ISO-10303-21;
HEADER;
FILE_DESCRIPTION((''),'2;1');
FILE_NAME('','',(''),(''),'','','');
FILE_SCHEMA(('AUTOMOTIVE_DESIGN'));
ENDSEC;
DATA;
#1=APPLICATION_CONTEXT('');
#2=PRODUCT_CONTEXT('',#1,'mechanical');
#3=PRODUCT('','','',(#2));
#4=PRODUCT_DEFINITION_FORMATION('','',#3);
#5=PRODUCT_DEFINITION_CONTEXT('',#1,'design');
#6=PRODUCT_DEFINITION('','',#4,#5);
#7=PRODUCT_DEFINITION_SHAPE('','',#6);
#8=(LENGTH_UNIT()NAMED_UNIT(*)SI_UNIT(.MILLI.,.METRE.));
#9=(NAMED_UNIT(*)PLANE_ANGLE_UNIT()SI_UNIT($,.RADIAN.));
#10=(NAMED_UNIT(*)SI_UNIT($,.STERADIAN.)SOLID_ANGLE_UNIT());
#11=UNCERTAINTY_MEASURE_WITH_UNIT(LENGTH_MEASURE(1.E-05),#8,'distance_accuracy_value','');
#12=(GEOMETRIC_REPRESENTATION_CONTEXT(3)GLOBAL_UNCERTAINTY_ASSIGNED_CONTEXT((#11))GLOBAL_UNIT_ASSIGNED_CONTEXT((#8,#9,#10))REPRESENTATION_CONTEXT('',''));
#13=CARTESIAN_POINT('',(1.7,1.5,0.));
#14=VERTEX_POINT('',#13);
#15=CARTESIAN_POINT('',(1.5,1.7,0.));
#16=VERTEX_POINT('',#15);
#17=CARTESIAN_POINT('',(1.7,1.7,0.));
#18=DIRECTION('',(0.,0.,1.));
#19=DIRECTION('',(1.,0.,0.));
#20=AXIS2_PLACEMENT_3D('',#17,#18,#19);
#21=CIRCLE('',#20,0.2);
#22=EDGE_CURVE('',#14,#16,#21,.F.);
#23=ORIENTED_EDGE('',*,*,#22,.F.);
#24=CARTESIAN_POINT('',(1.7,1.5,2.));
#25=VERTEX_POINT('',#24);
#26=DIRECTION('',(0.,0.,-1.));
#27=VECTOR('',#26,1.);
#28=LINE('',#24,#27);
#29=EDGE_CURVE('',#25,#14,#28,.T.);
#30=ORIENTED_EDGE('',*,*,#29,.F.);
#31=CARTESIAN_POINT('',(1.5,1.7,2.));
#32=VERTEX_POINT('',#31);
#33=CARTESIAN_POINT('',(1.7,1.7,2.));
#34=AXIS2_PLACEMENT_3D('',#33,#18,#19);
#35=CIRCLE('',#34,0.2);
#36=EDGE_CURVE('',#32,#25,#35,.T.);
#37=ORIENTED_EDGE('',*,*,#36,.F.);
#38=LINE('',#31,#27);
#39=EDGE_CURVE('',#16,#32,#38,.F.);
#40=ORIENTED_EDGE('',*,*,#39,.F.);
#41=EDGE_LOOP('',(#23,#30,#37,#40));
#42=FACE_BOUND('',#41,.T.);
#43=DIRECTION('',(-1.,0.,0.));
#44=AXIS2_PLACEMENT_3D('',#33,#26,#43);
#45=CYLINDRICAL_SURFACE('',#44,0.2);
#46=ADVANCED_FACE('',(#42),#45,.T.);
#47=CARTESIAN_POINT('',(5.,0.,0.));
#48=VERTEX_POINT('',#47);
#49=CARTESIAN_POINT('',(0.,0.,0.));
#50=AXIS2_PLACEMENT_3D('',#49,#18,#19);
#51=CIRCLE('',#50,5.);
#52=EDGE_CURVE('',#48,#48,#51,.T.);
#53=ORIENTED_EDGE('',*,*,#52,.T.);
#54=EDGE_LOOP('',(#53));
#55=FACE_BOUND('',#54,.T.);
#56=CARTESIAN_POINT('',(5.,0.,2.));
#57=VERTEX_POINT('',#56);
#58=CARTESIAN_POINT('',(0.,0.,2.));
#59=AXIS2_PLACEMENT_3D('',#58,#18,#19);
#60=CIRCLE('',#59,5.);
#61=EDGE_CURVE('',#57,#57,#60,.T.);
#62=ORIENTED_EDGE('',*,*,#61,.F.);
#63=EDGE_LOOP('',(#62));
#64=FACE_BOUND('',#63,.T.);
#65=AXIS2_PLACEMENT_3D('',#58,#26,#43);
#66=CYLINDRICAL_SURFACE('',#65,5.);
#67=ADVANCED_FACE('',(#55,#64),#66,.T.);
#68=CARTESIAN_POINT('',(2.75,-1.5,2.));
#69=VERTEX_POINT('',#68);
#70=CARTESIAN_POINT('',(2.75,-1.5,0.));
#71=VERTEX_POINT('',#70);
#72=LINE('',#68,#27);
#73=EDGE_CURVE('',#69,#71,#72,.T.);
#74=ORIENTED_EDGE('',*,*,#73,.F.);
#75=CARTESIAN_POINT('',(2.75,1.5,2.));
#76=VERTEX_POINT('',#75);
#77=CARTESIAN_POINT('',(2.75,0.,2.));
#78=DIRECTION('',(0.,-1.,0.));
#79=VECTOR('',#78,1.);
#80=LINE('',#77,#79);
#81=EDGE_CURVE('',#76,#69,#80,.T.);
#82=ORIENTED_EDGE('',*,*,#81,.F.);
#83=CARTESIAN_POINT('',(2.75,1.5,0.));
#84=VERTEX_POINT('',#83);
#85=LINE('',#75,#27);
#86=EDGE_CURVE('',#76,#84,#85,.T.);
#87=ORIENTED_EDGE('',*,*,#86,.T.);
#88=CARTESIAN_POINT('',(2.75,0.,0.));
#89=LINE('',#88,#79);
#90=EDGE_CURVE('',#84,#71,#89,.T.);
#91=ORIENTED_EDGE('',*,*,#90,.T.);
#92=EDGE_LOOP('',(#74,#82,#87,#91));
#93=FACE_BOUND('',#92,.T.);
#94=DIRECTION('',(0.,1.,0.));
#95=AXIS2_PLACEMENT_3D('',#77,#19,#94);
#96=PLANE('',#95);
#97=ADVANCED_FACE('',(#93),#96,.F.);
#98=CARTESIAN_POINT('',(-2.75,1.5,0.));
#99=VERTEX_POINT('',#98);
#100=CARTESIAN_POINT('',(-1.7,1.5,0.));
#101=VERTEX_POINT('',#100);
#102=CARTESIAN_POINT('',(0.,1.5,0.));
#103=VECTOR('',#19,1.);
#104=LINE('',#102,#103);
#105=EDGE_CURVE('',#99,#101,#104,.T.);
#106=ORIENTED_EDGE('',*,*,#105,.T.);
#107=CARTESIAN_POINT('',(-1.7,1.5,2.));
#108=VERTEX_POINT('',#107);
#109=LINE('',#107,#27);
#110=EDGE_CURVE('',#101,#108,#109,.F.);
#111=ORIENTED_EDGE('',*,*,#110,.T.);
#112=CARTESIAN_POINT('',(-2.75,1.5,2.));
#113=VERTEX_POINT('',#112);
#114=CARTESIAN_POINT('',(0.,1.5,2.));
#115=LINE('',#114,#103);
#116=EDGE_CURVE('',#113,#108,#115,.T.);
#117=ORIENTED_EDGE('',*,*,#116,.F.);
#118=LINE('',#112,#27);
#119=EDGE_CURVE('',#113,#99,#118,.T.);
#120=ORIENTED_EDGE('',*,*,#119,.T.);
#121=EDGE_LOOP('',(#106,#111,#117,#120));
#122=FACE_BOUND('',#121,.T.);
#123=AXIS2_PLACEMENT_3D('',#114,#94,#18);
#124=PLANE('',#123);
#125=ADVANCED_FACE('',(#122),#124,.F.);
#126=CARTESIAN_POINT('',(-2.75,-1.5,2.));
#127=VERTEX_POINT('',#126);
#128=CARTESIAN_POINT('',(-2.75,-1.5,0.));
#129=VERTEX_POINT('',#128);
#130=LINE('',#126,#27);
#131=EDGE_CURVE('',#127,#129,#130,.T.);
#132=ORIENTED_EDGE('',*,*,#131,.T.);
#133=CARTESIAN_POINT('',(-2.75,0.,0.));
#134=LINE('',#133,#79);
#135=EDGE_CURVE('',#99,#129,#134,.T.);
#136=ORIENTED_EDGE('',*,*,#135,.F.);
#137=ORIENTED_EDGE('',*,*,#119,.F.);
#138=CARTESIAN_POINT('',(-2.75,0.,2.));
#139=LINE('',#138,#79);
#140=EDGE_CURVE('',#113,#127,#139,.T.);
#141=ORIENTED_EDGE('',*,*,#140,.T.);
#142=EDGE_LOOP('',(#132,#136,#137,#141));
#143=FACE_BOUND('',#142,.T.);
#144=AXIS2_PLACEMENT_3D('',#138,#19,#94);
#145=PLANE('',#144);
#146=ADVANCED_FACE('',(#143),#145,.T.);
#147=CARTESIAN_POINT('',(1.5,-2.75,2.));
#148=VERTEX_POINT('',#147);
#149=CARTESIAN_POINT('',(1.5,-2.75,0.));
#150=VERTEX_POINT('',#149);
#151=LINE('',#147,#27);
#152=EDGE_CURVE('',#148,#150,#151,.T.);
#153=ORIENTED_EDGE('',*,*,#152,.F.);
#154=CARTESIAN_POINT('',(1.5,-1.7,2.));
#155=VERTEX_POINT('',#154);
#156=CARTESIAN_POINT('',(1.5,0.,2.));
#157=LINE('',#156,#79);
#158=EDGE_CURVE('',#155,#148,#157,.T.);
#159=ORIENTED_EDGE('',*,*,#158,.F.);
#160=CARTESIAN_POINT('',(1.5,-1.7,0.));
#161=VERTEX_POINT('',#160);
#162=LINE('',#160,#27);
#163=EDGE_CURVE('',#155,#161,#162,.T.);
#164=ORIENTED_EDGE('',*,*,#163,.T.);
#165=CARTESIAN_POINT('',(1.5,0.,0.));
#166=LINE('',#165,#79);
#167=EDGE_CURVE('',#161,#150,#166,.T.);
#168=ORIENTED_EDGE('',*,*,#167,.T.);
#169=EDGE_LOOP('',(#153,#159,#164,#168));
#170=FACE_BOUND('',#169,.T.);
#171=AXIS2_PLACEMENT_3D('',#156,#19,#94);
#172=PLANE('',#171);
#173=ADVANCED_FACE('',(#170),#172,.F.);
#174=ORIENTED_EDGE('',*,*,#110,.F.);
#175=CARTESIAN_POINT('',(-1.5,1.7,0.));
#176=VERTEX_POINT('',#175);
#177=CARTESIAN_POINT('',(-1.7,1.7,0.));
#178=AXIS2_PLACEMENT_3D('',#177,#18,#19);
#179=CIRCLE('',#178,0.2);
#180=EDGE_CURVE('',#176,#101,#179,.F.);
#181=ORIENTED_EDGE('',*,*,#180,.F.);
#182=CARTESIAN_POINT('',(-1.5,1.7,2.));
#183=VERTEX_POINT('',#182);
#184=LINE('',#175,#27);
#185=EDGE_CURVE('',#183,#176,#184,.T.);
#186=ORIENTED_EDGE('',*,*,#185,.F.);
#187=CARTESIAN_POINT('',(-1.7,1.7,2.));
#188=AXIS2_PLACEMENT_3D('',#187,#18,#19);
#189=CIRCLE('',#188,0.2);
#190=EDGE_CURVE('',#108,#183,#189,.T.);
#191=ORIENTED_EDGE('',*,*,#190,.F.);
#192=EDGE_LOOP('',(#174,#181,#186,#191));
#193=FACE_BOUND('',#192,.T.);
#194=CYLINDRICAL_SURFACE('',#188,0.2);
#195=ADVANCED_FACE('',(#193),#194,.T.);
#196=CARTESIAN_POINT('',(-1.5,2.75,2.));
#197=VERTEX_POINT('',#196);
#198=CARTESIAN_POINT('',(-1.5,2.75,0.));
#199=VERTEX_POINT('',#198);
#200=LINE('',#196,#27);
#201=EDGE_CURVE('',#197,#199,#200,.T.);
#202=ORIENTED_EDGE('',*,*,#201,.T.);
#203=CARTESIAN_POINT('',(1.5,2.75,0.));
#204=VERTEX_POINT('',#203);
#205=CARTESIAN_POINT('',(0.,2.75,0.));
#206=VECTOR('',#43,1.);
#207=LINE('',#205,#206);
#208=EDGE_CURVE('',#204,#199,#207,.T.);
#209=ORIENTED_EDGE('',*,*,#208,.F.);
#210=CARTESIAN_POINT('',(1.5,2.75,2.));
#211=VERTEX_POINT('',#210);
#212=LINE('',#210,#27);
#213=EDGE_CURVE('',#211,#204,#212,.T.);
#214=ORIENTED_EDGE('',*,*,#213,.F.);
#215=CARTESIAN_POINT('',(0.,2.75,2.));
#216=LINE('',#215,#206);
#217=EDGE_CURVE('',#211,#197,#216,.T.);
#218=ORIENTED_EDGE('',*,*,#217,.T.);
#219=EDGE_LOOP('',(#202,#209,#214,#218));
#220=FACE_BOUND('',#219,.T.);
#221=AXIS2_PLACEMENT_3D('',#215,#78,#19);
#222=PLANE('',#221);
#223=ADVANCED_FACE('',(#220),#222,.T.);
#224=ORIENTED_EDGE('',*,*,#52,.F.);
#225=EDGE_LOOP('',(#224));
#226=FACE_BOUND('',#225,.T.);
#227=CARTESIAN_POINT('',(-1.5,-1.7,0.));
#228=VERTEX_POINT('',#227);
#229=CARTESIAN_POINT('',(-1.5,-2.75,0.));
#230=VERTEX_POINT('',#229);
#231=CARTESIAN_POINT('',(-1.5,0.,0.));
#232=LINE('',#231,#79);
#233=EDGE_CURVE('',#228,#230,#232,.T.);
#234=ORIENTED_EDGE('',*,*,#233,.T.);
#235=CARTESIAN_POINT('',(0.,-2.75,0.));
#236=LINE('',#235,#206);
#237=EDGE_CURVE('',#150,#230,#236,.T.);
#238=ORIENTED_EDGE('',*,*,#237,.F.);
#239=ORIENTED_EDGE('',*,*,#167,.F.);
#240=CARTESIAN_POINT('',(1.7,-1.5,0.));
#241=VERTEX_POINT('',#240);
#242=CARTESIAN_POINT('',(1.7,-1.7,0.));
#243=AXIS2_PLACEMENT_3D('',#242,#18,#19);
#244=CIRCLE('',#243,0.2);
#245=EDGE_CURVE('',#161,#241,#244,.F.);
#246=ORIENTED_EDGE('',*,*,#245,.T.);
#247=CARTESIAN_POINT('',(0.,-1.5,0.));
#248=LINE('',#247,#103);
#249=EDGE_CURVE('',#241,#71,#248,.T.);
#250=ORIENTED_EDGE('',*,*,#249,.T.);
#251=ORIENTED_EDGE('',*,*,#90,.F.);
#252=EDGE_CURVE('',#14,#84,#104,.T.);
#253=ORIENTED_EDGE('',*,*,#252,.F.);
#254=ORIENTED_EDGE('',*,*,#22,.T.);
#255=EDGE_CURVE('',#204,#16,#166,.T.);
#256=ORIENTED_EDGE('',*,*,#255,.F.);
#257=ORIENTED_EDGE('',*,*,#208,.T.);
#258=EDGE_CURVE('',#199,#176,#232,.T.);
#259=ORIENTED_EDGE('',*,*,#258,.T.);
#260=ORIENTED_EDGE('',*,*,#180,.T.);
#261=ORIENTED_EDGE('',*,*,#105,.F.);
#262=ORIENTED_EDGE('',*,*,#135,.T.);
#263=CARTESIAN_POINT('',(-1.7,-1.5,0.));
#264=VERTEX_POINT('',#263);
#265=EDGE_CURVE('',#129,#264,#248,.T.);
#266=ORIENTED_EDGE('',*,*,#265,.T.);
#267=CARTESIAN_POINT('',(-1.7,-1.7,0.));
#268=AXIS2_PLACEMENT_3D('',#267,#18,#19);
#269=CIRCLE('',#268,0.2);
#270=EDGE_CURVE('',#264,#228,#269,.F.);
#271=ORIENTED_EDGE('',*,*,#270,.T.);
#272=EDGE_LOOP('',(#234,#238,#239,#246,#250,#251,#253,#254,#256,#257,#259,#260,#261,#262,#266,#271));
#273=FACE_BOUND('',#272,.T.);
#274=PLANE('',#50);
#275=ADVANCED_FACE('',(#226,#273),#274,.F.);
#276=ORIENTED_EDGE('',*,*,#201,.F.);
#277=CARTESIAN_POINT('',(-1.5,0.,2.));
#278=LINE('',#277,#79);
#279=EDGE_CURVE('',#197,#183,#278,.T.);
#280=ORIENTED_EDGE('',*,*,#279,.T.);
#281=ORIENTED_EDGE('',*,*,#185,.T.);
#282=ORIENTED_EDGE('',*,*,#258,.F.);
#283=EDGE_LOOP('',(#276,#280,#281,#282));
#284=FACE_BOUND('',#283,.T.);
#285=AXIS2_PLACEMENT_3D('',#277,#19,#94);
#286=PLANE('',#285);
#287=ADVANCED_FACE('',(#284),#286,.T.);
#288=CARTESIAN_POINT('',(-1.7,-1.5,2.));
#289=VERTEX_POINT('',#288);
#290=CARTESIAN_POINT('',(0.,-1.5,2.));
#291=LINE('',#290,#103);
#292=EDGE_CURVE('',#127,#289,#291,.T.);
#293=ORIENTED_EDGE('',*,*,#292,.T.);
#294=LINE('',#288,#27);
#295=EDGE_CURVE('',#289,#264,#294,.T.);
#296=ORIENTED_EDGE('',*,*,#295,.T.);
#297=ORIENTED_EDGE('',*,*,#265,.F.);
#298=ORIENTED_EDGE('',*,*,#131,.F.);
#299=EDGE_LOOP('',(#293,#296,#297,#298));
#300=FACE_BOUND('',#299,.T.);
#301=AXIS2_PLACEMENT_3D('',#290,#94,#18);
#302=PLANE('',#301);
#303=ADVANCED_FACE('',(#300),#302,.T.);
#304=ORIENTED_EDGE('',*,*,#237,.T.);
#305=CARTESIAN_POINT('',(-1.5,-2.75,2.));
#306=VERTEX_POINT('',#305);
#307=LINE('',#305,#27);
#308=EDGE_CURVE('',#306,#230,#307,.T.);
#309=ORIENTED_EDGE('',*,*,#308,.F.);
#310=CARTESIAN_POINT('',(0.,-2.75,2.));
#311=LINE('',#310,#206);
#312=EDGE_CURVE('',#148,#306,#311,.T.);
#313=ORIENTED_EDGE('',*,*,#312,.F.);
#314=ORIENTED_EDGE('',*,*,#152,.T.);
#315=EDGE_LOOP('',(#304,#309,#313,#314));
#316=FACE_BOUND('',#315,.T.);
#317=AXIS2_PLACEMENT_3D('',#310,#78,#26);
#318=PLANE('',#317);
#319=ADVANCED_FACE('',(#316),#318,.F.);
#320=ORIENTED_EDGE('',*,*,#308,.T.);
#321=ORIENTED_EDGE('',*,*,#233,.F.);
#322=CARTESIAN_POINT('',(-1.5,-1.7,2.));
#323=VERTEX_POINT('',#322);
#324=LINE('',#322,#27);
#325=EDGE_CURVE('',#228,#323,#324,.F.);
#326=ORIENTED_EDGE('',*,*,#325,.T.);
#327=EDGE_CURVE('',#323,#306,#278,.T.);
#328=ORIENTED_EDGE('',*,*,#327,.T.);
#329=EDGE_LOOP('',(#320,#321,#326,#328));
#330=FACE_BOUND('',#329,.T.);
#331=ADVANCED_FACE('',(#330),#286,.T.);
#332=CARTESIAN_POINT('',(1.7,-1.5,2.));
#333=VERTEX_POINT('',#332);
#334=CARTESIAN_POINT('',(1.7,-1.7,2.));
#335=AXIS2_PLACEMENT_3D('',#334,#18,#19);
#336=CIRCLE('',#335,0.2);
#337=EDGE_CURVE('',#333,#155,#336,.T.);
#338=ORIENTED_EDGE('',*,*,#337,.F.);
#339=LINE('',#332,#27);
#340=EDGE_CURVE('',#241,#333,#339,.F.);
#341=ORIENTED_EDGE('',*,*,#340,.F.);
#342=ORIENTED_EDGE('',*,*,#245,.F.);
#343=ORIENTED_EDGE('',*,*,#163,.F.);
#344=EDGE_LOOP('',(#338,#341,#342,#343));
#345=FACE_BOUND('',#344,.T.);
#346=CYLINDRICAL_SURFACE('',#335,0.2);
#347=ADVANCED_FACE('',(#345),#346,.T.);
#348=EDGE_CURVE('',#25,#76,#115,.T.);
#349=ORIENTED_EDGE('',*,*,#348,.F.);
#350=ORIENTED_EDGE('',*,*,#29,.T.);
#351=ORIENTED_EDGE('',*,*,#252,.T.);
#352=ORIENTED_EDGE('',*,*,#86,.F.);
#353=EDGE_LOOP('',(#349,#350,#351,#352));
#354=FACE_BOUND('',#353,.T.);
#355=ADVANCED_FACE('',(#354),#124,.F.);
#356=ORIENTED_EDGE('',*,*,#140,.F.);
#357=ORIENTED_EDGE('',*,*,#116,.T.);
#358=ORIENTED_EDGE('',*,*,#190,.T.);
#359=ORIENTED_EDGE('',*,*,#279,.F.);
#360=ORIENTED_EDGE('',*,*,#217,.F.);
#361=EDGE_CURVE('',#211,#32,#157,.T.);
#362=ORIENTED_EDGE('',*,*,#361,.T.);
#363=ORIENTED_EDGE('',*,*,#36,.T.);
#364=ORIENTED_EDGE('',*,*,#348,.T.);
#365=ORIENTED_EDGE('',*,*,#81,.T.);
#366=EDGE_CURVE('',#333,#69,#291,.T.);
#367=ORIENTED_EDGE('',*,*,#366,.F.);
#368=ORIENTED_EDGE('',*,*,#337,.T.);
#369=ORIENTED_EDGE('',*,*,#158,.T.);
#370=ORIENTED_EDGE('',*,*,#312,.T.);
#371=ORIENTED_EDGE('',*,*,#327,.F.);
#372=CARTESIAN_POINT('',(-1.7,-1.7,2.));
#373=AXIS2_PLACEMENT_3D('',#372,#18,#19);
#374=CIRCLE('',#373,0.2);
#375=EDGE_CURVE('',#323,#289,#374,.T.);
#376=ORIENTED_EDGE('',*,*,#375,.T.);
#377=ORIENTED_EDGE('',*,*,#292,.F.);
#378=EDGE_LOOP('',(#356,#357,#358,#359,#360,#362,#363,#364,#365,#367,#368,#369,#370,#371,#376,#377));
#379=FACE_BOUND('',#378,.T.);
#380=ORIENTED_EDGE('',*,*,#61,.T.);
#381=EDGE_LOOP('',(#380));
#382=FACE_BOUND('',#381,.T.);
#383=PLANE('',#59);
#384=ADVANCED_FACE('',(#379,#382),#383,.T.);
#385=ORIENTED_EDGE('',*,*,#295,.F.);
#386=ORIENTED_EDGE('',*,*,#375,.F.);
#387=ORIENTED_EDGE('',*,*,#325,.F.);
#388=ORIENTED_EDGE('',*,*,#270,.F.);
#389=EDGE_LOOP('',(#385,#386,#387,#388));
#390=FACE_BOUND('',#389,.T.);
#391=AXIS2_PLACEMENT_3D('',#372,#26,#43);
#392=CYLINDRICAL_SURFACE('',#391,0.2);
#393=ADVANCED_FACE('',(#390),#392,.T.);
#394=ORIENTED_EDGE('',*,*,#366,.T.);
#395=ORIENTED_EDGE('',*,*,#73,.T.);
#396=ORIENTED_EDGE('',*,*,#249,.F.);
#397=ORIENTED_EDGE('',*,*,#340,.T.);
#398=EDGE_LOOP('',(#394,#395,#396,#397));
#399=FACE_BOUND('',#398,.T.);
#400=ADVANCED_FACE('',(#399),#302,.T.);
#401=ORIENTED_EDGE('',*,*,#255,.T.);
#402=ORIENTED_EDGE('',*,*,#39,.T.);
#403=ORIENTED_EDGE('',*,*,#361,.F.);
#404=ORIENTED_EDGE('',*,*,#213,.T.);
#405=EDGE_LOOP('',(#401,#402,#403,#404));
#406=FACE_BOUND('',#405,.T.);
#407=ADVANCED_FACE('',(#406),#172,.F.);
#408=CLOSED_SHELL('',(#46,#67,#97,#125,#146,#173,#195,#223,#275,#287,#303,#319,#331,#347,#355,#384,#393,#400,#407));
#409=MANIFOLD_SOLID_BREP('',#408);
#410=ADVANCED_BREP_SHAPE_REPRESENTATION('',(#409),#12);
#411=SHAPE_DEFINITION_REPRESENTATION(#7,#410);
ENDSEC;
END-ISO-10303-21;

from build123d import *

# Parameters (mm, degrees)
SKETCH1_R           = 5
BOSS_EXTRUDE2_DEPTH = 2
FILLET2_R           = 0.2


with BuildPart() as part:
    # Sketch1 → Boss-Extrude2 (new body)
    with BuildSketch(Plane.XY):
        Circle(SKETCH1_R)
        Polygon((-2.75, -1.5), (-2.75, 1.5), (-1.5, 1.5), (-1.5, 2.75), (1.5, 2.75), (1.5, 1.5), (2.75, 1.5), (2.75, -1.5), (1.5, -1.5), (1.5, -2.75), (-1.5, -2.75), (-1.5, -1.5), align=None, mode=Mode.SUBTRACT)
    extrude(amount=BOSS_EXTRUDE2_DEPTH)

    # Fillet2
    fillet2_edges = [part.edges().sort_by_distance(p)[0] for p in [
        (-1.5, 1.5, 1),
        (-1.5, -1.5, 1),
        (1.5, -1.5, 1),
        (1.5, 1.5, 1),
    ]]
    fillet(fillet2_edges, radius=FILLET2_R)


solid = part.part
